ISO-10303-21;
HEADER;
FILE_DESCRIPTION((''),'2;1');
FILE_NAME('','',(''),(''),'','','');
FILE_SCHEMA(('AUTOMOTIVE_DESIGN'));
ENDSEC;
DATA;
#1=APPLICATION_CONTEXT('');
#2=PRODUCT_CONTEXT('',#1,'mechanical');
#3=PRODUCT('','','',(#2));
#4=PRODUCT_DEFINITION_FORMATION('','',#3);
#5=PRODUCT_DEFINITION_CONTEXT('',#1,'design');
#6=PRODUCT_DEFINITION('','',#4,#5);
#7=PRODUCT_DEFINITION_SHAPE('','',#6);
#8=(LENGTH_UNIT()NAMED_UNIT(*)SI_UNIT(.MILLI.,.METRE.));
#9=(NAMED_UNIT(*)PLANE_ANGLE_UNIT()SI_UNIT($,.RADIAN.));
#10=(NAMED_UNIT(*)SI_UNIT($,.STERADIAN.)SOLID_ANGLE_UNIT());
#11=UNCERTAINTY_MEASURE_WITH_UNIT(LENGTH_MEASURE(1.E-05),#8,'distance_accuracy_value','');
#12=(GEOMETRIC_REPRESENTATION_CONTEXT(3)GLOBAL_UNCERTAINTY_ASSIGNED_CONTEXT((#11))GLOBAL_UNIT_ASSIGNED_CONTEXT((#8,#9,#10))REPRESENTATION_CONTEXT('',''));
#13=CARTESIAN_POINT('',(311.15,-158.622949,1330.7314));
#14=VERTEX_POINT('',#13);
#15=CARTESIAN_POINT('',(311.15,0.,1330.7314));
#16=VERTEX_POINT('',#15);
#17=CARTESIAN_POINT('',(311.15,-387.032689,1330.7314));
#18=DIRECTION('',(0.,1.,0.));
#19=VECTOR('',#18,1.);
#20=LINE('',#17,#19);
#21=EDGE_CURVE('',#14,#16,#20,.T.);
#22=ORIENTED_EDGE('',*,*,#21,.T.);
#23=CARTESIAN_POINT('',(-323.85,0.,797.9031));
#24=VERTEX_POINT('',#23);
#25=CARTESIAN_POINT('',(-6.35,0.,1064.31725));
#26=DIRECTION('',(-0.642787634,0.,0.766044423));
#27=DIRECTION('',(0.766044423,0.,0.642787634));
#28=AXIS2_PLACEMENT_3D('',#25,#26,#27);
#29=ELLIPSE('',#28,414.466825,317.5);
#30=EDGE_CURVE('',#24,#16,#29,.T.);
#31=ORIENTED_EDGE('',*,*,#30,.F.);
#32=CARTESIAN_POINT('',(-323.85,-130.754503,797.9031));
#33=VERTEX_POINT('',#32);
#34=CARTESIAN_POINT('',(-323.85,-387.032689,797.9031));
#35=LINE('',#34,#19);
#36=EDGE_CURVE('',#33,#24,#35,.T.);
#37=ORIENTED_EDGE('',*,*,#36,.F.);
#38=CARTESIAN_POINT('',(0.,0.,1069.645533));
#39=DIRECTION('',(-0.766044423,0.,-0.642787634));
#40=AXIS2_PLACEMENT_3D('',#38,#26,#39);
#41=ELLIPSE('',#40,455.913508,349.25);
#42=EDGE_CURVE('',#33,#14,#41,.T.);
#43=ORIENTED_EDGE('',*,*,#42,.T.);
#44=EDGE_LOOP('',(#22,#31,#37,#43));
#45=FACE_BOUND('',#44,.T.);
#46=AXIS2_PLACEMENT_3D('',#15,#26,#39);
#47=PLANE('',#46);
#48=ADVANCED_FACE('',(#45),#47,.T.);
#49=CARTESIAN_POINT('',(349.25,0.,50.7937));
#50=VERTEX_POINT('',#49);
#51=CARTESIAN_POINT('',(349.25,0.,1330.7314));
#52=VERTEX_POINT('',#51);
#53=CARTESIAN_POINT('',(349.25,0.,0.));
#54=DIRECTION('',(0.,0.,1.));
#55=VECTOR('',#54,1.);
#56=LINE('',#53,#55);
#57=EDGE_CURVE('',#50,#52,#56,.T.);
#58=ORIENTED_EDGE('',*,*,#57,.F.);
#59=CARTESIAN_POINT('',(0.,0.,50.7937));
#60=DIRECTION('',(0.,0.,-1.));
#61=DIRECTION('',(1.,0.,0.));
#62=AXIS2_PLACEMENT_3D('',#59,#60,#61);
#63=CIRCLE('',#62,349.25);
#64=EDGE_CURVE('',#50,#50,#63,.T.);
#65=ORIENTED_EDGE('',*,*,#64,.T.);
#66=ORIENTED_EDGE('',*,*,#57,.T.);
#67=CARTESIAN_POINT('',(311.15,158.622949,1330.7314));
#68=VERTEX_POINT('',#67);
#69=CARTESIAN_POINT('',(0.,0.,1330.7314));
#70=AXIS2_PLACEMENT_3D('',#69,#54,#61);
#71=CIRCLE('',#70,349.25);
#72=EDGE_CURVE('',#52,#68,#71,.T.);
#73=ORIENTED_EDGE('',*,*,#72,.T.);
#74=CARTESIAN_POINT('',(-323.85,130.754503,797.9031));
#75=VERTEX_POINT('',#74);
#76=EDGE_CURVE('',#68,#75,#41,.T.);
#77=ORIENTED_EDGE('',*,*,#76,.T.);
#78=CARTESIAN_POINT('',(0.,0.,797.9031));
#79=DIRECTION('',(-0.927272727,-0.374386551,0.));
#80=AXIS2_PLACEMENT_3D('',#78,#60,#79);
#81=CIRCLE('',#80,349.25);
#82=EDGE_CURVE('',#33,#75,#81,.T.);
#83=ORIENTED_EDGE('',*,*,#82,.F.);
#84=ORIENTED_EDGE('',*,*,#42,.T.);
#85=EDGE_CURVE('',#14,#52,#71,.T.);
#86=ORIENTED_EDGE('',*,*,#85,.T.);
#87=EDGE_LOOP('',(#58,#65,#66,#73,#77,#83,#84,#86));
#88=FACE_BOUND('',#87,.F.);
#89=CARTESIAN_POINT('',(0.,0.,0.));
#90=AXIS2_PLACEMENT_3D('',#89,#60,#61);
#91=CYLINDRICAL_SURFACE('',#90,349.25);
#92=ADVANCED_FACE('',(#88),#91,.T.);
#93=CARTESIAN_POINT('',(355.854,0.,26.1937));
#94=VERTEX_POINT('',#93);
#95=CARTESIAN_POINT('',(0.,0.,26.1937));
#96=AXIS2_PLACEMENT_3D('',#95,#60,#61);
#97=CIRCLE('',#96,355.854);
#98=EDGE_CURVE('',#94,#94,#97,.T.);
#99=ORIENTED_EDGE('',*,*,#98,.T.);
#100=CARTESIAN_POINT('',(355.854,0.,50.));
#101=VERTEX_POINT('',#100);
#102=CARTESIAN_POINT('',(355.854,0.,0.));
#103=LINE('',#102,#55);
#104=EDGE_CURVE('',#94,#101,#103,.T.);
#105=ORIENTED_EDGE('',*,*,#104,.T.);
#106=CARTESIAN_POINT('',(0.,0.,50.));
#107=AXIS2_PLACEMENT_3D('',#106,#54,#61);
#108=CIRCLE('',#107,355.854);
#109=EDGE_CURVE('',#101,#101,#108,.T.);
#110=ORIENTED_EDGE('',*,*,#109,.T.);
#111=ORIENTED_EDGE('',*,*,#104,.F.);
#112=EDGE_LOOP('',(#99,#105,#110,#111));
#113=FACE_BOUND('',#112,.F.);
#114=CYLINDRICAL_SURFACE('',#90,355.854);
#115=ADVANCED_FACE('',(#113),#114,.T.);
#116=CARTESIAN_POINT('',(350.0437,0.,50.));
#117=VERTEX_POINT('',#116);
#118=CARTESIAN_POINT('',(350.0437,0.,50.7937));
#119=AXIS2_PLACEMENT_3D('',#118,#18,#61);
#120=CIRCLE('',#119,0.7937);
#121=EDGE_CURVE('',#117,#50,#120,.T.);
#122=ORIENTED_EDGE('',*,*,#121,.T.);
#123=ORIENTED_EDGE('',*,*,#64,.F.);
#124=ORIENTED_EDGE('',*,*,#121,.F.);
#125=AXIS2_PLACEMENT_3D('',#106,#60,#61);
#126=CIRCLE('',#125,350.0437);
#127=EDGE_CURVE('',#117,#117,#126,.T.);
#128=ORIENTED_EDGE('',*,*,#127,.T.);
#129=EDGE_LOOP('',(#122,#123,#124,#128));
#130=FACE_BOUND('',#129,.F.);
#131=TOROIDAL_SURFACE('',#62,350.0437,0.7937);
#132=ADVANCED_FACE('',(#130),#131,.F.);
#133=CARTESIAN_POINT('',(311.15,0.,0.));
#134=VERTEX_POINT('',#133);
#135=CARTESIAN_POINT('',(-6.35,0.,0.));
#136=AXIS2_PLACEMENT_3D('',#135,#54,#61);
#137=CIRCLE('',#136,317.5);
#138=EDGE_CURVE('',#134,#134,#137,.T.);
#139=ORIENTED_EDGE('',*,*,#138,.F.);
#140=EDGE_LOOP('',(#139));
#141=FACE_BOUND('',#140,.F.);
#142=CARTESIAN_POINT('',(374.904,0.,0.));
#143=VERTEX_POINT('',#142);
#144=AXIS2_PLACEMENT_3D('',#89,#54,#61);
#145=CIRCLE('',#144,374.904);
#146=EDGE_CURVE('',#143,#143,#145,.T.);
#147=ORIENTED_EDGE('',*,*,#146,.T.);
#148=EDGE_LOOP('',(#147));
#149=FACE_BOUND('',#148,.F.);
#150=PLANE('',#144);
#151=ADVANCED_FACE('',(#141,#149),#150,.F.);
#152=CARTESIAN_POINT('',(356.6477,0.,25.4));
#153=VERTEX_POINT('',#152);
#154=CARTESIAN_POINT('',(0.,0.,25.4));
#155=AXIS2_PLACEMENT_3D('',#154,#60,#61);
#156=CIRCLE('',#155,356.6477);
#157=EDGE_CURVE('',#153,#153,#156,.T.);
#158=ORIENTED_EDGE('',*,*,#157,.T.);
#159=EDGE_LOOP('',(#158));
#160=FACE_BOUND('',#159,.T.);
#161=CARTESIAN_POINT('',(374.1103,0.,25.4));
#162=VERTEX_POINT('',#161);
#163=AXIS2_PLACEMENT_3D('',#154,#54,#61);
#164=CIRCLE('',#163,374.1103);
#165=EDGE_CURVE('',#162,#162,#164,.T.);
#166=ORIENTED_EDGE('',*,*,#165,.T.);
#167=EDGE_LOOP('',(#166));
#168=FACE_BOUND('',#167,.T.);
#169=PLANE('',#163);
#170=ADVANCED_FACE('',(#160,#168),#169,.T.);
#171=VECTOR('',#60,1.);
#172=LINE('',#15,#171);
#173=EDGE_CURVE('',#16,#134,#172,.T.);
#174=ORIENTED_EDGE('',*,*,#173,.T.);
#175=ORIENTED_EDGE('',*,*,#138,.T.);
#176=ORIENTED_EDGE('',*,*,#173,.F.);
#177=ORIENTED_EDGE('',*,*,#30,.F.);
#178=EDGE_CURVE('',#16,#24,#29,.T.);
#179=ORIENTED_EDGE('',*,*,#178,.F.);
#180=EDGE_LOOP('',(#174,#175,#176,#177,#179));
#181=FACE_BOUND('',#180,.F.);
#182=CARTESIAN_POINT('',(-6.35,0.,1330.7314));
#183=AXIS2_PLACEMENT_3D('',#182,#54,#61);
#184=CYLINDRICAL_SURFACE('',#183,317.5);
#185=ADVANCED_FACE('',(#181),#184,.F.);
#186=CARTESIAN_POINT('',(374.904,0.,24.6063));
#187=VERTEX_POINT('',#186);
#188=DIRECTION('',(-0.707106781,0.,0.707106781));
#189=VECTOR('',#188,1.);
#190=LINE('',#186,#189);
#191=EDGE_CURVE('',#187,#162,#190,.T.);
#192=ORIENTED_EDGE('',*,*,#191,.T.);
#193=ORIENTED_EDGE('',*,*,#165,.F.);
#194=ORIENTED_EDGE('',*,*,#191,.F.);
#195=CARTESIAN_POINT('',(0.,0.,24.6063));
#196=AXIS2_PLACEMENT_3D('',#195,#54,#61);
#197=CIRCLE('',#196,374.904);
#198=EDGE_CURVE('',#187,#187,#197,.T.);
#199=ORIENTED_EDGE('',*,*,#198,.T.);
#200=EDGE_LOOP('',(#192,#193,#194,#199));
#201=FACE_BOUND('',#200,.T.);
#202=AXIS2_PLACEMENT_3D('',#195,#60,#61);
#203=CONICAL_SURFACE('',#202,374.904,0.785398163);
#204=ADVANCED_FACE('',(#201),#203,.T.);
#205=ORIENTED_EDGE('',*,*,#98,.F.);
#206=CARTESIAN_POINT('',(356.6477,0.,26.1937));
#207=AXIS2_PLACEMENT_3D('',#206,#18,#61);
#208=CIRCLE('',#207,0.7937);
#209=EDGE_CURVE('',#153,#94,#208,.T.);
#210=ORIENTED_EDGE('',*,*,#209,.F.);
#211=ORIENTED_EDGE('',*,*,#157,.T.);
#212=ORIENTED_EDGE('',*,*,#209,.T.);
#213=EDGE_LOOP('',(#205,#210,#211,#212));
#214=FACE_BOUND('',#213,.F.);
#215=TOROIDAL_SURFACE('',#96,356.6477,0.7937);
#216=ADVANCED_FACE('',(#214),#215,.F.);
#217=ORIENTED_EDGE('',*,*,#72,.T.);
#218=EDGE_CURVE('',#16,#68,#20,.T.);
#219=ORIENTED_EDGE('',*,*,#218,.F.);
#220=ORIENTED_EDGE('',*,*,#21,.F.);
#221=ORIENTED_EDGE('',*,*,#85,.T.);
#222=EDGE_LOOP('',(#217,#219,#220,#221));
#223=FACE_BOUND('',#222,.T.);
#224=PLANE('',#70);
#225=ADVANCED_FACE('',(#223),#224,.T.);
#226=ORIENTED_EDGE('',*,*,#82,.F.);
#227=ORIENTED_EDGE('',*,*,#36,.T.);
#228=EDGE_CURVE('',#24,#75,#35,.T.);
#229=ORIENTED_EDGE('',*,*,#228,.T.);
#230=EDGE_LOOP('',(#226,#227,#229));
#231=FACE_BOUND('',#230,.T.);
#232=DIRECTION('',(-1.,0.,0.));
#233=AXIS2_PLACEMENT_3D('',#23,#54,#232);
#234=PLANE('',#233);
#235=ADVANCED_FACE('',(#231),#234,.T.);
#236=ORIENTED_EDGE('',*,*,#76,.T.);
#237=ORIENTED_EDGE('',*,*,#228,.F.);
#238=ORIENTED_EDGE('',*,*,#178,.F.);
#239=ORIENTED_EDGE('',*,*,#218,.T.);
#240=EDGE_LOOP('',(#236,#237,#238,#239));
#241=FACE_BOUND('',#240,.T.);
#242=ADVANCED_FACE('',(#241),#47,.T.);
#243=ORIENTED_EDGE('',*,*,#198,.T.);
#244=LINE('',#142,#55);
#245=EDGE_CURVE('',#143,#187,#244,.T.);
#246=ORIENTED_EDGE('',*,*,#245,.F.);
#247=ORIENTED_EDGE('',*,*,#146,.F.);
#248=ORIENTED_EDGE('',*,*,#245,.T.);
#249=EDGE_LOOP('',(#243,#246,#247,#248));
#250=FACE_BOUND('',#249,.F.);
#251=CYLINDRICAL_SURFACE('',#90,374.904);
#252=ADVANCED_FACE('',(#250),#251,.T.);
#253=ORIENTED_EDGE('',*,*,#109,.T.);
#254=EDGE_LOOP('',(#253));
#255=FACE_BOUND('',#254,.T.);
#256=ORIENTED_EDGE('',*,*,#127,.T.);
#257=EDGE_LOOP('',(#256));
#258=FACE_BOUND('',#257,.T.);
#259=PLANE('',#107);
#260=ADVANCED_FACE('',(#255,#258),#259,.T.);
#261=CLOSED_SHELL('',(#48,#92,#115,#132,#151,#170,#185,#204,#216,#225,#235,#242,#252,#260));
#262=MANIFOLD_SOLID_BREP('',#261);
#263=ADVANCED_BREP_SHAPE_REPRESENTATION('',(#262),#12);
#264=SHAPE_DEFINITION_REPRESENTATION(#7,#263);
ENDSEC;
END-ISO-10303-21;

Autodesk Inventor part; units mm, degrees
ref_plane "YZ Plane" through (0, 0, 0) normal (1, 0, 0) x (0, 1, 0)
ref_plane "XZ Plane" through (0, 0, 0) normal (0, 1, 0) x (-1, 0, 0)
ref_plane "XY Plane" through (0, 0, 0) normal (0, 0, 1) x (1, 0, 0)
sketch "Sketch1" plane through (0, 0, 0) normal (0, 0, 1) x (1, 0, 0)
  circle A0 centre (0, 0) radius 374.904
  dimension "d0" = 749.808
extrude "Extrusion1" add sketch "Sketch1" along normal blind 25.4
sketch "Sketch2" plane through (0, 0, 0) normal (0, 0, 1) x (1, 0, 0)
  circle A0 centre (0, 0) radius 355.854
  dimension "d3" = 711.708
extrude "Extrusion2" add sketch "Sketch2" along normal blind 50
sketch "Sketch3" plane through (0, 0, 0) normal (0, 0, 1) x (1, 0, 0)
  circle A0 centre (0, 0) radius 349.25
  dimension "d6" = 698.5
extrude "Extrusion3" add sketch "Sketch3" along normal blind 1330.7314
sketch "Sketch4" plane through (0, 0, 1330.7314) normal (0, 0, 1) x (1, 0, 0)
  circle A0 centre (-6.35, 0) radius 317.5
  point P0 (0, 0)
  dimension "d9" = 635
  dimension "d21" = 6.35
extrude "Extrusion4" cut sketch "Sketch4" against normal through all
chamfer "Chamfer1" distance 0.7937 angle 45 1 edges at (-374.904, 0, 25.4)
fillet "Fillet1" radius 0.7937 1 edges at (-355.854, 0, 25.4)
fillet "Fillet2" radius 0.7937 1 edges at (-349.25, 0, 50)
sketch "Sketch5" plane through (0, 0, 0) normal (0, 1, 0) x (-1, 0, 0)
  line L0 (-311.15, 1330.7314) -> (323.85, 1330.7314) projected
  line L1 (-311.15, 1330.7314) -> (323.85, 797.9031)
  line L2 (323.85, 797.9031) -> (349.25, 797.9031)
  line L3 (349.25, 797.9031) -> (349.25, 1330.7314)
  line L4 (349.25, 1330.7314) -> (323.85, 1330.7314)
  line L5 (349.25, 50.7937) -> (349.25, 1330.7314) construction
  point P0 (0, 0)
  dimension "d18" = 40
extrude "Extrusion5" cut sketch "Sketch5" along normal through all both and the other way through all
properties part number "A1-19010-200-02 HCWI nozzle insert" material "Iron, Cast"
